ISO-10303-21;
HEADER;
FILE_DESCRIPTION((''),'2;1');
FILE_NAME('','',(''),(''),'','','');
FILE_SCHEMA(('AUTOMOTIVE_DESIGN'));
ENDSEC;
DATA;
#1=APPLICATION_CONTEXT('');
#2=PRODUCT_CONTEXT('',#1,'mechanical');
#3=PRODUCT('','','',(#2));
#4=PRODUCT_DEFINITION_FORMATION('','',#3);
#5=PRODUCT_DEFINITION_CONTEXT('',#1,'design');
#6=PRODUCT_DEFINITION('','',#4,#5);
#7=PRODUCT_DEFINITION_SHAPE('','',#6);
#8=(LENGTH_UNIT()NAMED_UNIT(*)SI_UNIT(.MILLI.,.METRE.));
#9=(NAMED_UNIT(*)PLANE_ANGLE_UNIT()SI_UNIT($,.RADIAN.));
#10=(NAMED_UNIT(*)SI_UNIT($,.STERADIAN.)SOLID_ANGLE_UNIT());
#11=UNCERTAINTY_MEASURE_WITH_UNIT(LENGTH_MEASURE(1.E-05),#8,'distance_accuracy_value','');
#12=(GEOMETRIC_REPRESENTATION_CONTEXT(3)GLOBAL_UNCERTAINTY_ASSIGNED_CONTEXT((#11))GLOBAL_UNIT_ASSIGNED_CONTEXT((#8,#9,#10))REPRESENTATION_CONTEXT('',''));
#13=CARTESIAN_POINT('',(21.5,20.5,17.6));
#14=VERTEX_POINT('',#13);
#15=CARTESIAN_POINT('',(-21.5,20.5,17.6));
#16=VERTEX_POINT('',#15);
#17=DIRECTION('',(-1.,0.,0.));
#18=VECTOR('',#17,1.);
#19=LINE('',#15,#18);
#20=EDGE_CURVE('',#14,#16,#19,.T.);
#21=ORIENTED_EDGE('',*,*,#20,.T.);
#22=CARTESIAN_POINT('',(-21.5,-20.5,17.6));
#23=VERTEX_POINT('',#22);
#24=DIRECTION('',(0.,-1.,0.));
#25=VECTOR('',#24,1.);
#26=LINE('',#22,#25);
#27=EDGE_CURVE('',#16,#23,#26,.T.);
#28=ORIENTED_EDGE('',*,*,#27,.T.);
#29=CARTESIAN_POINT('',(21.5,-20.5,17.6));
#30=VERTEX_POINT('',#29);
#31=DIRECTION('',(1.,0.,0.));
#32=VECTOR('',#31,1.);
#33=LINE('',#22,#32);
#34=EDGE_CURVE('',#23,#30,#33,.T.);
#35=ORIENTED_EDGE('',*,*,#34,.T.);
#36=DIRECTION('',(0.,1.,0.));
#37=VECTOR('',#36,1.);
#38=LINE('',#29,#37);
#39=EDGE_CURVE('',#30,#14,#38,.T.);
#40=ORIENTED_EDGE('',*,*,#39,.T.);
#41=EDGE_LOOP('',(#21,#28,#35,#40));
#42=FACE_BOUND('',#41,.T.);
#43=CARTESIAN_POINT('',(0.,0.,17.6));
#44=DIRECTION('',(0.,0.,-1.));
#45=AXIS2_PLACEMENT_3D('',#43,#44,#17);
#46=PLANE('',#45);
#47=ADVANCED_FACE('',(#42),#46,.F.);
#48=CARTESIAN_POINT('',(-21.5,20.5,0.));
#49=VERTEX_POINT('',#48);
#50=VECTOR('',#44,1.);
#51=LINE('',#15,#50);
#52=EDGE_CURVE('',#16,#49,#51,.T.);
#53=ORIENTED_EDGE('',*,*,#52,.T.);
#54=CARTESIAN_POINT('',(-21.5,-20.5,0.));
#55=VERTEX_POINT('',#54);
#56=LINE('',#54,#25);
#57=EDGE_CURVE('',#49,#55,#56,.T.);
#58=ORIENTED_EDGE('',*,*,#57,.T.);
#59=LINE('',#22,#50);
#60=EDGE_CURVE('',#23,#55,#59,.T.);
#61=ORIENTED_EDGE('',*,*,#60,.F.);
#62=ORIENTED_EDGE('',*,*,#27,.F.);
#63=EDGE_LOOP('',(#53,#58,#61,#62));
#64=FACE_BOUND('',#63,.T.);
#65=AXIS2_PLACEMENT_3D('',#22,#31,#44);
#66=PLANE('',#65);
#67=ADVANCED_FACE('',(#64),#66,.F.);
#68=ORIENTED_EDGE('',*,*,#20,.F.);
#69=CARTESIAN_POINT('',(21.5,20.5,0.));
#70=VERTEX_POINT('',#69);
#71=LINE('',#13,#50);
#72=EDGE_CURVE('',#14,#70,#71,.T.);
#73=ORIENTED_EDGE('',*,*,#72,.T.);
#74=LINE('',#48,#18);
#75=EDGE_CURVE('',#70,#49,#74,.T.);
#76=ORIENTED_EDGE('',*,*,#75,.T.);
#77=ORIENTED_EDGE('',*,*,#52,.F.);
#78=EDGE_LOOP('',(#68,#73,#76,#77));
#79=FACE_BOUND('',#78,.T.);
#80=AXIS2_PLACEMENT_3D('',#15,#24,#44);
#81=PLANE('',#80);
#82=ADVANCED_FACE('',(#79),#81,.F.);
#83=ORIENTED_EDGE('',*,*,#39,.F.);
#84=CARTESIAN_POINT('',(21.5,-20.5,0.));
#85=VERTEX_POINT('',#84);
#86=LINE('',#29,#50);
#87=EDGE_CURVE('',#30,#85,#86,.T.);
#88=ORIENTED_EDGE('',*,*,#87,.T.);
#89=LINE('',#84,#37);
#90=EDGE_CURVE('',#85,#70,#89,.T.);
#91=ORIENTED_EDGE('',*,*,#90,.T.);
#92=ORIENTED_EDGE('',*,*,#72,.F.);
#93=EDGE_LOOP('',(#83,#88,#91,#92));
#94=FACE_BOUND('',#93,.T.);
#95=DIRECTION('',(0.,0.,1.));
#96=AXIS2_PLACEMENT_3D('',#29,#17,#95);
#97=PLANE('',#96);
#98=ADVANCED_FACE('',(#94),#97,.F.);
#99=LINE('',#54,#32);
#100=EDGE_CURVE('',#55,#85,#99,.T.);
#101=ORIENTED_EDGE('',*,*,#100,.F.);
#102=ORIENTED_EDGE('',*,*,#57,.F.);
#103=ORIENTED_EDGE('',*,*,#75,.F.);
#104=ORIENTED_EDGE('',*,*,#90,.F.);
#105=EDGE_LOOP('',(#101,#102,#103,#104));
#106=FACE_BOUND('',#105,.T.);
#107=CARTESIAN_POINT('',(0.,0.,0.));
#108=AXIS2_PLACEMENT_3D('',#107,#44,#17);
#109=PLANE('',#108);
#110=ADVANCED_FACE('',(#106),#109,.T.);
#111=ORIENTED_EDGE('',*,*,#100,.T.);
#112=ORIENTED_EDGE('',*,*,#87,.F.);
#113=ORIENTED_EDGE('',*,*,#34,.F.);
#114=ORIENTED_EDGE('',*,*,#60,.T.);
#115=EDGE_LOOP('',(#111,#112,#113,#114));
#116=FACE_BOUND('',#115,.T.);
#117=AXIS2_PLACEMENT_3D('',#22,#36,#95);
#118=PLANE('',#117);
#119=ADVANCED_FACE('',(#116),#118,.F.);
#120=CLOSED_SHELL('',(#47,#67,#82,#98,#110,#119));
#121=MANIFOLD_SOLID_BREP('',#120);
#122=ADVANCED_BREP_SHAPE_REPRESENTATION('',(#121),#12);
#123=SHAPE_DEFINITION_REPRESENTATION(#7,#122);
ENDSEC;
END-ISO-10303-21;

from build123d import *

# Parameters (mm, degrees)
SKETCH1_W      = 43
SKETCH1_H      = 41
ENVELOPE_DEPTH = 17.6


with BuildPart() as part:
    # Sketch1 → Envelope (new body)
    with BuildSketch(Plane.XY):
        Rectangle(SKETCH1_W, SKETCH1_H)
    extrude(amount=ENVELOPE_DEPTH)


solid = part.part
